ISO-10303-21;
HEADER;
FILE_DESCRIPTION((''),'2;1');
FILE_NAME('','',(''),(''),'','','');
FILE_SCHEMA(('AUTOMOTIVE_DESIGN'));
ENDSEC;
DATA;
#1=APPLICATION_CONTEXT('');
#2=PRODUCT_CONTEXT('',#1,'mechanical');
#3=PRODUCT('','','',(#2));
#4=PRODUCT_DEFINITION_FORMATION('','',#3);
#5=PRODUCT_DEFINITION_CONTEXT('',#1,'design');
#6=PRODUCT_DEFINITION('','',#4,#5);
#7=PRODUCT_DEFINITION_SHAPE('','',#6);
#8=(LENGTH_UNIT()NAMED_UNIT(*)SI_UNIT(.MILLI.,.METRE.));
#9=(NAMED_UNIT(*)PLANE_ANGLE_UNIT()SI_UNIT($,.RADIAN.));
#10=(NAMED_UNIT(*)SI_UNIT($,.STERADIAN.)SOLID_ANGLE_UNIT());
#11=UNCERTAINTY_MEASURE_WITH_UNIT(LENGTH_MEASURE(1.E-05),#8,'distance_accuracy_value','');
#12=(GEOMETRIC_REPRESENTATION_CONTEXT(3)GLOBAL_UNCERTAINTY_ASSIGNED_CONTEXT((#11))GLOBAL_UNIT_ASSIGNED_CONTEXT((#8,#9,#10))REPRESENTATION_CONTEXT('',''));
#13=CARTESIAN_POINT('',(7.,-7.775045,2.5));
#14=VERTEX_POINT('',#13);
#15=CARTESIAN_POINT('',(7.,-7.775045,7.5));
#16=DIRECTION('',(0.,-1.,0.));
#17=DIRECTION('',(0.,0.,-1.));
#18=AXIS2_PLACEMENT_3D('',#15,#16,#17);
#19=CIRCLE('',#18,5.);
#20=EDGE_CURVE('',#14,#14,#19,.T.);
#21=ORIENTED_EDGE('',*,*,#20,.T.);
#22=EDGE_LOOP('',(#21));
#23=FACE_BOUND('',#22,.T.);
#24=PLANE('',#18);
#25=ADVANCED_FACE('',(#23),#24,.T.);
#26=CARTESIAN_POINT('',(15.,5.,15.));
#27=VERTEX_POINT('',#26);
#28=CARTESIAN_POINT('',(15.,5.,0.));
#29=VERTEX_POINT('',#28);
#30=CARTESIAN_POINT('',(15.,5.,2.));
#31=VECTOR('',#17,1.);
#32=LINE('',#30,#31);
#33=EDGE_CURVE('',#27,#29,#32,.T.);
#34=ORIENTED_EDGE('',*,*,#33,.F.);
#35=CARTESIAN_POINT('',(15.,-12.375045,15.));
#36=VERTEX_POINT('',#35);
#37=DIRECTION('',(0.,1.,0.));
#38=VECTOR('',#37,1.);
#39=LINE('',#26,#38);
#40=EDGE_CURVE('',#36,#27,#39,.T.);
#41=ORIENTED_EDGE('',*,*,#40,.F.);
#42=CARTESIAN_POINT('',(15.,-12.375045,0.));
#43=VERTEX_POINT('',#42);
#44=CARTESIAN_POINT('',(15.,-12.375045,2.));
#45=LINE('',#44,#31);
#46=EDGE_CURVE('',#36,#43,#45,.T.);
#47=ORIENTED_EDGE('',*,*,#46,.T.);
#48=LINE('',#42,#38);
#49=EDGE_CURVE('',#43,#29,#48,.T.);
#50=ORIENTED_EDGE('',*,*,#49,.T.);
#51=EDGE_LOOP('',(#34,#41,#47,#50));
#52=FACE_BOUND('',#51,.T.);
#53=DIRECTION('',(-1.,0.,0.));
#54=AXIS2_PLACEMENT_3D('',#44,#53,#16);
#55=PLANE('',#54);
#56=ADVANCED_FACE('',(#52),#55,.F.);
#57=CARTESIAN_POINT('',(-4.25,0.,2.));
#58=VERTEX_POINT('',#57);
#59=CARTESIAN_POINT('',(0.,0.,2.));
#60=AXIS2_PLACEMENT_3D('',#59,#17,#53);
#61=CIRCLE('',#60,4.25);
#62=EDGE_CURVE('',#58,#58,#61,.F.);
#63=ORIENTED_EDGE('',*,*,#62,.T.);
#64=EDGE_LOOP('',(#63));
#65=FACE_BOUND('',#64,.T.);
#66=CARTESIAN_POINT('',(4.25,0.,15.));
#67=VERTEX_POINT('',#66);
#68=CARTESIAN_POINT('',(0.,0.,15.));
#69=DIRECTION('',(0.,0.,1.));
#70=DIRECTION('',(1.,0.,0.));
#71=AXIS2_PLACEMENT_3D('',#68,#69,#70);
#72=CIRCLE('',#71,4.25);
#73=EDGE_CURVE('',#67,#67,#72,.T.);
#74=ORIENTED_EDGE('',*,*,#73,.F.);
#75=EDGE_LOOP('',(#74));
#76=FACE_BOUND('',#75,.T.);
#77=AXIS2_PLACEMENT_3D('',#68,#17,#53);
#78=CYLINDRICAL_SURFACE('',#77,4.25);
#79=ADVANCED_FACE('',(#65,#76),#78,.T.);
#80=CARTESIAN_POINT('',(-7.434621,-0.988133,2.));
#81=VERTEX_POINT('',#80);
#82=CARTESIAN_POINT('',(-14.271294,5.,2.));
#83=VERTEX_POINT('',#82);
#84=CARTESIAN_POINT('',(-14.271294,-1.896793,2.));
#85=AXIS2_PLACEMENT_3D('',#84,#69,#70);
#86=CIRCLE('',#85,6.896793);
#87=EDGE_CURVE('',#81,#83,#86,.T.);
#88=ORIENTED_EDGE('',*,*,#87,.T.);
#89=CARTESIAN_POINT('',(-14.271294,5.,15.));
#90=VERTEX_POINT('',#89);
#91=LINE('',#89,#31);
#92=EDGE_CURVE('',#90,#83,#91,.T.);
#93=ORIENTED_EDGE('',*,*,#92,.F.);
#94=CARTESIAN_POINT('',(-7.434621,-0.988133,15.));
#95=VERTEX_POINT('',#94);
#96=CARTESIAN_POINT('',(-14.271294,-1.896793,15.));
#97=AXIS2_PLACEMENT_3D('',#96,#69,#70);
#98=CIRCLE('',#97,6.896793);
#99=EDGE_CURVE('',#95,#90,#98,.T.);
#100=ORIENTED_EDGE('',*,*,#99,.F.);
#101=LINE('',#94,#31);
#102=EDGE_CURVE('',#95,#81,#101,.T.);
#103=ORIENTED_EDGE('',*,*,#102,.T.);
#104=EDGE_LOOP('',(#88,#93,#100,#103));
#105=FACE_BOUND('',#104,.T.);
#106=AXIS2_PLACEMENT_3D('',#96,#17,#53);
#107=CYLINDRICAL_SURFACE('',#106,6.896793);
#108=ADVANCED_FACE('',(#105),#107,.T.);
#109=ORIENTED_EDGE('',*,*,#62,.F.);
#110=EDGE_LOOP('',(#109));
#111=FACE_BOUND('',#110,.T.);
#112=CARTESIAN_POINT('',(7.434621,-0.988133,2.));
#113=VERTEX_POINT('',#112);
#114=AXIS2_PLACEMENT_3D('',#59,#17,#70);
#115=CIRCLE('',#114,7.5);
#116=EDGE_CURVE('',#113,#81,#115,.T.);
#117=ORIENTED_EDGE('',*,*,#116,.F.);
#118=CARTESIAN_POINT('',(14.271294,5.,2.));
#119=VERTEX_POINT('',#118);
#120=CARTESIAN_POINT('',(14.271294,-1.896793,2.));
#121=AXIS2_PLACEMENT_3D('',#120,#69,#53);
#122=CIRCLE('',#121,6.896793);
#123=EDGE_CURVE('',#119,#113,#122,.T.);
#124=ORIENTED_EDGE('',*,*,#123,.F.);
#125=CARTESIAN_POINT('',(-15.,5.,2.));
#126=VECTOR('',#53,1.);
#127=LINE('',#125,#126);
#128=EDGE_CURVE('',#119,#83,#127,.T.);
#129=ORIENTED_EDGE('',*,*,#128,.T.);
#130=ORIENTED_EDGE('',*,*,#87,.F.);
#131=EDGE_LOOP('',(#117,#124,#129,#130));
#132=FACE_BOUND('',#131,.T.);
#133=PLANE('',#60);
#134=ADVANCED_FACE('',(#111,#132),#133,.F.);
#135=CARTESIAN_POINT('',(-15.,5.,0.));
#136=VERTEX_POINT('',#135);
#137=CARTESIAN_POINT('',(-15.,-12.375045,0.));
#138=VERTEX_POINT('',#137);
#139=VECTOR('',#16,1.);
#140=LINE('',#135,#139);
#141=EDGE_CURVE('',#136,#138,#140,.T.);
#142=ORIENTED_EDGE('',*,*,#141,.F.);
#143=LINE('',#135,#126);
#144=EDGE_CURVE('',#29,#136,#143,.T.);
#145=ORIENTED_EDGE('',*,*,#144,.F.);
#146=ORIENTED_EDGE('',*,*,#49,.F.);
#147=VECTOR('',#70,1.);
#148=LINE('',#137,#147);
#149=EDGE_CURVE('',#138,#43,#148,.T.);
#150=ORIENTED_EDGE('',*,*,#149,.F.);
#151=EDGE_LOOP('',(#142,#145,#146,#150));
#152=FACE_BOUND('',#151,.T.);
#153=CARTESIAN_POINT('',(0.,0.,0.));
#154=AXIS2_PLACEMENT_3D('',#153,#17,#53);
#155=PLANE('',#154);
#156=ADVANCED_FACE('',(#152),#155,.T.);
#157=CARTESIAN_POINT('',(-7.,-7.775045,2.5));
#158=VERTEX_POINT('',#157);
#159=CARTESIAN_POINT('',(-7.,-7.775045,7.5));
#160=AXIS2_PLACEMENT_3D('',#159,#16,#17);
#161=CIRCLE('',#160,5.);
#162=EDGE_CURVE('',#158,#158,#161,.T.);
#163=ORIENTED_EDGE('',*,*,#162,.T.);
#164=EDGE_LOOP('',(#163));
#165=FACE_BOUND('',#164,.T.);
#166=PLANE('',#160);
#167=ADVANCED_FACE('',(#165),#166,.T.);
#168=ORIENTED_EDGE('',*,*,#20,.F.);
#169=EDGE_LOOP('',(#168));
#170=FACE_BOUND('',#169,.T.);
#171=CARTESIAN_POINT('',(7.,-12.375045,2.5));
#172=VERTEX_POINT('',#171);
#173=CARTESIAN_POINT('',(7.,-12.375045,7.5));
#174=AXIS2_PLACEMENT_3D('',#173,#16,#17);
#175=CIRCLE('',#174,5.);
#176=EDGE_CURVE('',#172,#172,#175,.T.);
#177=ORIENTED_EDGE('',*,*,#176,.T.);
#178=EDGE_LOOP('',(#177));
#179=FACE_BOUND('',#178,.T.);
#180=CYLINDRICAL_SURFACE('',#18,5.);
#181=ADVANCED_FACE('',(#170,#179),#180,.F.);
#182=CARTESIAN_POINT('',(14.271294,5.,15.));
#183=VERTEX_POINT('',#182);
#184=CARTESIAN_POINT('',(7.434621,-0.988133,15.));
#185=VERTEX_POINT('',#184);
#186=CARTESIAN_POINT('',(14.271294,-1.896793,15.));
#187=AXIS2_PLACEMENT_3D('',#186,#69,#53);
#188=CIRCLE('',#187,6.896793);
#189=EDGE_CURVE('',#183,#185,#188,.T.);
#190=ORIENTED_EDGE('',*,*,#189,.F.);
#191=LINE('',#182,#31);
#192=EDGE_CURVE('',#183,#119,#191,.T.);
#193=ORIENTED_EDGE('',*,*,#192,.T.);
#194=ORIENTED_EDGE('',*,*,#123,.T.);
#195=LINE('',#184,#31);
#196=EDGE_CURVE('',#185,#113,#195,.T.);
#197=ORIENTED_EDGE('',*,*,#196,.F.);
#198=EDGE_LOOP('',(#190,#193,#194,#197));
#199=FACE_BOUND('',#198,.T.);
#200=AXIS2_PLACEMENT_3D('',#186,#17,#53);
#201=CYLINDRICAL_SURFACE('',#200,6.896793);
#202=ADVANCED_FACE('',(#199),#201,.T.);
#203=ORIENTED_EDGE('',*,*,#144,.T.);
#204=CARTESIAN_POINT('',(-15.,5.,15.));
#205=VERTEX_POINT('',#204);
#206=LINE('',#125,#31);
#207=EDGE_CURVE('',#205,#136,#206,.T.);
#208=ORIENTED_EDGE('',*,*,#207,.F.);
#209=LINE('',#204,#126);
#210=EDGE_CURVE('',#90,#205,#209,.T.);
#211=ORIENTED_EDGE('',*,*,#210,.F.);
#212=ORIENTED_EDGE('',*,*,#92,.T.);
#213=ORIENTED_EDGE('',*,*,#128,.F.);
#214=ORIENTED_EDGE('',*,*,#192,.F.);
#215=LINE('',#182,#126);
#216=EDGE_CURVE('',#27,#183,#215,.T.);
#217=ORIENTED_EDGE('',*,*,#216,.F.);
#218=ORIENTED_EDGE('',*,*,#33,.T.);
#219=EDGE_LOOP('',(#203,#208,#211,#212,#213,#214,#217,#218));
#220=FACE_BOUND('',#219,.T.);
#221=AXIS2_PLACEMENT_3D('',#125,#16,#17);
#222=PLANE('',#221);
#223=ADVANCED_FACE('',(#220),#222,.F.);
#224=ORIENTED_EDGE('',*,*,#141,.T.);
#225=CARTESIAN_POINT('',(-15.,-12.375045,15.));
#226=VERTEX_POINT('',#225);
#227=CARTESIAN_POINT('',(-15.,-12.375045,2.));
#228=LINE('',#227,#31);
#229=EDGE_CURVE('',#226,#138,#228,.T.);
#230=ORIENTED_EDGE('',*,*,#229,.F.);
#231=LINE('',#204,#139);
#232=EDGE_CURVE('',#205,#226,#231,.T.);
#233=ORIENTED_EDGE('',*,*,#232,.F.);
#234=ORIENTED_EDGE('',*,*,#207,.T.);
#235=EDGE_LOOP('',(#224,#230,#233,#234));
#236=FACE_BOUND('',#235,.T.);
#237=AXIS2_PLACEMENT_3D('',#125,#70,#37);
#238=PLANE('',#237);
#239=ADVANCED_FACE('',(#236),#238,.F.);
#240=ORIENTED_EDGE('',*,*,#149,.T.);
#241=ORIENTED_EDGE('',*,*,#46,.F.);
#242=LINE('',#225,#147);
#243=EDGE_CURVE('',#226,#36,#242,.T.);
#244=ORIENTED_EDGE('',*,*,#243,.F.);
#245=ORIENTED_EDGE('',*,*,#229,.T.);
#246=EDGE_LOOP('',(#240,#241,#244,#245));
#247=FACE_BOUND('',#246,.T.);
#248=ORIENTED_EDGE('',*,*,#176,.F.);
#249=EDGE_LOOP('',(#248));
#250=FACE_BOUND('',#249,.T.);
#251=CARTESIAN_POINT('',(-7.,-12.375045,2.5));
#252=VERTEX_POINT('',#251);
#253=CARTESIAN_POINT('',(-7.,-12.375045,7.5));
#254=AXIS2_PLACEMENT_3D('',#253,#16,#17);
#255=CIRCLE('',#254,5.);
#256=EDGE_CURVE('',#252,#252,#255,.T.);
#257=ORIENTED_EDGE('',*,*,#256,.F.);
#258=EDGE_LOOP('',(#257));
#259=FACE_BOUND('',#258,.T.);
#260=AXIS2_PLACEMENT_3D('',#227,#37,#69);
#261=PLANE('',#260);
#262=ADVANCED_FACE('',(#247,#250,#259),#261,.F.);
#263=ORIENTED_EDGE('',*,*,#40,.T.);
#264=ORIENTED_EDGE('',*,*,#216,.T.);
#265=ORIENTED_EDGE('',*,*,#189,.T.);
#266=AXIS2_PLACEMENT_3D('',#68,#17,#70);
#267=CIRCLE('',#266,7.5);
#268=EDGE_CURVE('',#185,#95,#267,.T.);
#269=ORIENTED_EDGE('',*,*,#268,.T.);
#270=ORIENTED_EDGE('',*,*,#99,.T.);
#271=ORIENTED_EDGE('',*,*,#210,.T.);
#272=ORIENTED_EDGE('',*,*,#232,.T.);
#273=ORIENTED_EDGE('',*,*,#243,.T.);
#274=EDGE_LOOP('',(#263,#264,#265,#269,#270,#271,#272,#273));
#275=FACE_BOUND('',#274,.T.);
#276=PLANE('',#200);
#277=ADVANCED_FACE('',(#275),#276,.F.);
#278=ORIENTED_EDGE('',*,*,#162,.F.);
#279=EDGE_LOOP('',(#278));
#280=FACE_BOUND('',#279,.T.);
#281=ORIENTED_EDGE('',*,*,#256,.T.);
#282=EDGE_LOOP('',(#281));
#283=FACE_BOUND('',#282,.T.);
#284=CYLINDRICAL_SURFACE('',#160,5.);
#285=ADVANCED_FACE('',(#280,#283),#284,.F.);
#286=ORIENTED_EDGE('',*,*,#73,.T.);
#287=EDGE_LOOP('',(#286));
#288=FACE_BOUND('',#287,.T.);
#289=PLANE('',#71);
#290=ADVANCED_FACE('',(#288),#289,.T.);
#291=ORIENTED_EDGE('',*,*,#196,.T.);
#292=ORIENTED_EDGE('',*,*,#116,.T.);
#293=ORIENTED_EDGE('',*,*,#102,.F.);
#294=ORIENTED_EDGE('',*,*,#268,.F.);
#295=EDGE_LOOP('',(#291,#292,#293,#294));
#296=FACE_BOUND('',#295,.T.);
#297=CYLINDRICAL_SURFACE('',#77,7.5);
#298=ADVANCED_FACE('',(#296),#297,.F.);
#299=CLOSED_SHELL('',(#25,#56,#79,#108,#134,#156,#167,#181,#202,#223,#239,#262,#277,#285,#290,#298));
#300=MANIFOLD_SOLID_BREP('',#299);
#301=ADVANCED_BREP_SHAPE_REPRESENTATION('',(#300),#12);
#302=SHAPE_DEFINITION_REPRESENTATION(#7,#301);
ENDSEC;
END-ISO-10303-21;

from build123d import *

# Parameters (mm, degrees)
CROQUIS2_W              = 30
CROQUIS2_H              = 17.375045376
SALIENTE_EXTRUIR1_DEPTH = 2
CROQUIS3_R              = 4.25
SALIENTE_EXTRUIR2_DEPTH = 13
CROQUIS4_R              = 5
CORTAR_EXTRUIR1_DEPTH   = 4.6


with BuildPart() as part:
    # Croquis2 → Saliente-Extruir1 (new body)
    with BuildSketch(Plane.XY):
        with Locations((0, -3.687522688)):
            Rectangle(CROQUIS2_W, CROQUIS2_H)
    extrude(amount=SALIENTE_EXTRUIR1_DEPTH)

    # Croquis3 → Saliente-Extruir2 (add)
    with BuildSketch(Plane.XY.offset(2)):
        Circle(CROQUIS3_R)
        with BuildLine():
            Line((-15, 5), (-14.271293534, 5))
            ThreePointArc((-14.271293534, 5), (-9.727126272, 3.291298824), (-7.434621256, -0.98813298))
            ThreePointArc((-7.434621256, -0.98813298), (0, -7.5), (7.434621256, -0.98813298))
            ThreePointArc((7.434621256, -0.98813298), (9.727126272, 3.291298824), (14.271293534, 5))
            Line((14.271293534, 5), (15, 5))
            Line((15, 5), (15, -12.375045376))
            Line((15, -12.375045376), (-15, -12.375045376))
            Line((-15, -12.375045376), (-15, 5))
        make_face()
    extrude(amount=SALIENTE_EXTRUIR2_DEPTH)

    # Croquis4 → Cortar-Extruir1 (cut)
    with BuildSketch(Plane.XZ.offset(12.375045376)):
        with Locations((-7, 7.5)):
            Circle(CROQUIS4_R)
        with Locations((7, 7.5)):
            Circle(CROQUIS4_R)
    extrude(amount=-CORTAR_EXTRUIR1_DEPTH, mode=Mode.SUBTRACT)


solid = part.part
